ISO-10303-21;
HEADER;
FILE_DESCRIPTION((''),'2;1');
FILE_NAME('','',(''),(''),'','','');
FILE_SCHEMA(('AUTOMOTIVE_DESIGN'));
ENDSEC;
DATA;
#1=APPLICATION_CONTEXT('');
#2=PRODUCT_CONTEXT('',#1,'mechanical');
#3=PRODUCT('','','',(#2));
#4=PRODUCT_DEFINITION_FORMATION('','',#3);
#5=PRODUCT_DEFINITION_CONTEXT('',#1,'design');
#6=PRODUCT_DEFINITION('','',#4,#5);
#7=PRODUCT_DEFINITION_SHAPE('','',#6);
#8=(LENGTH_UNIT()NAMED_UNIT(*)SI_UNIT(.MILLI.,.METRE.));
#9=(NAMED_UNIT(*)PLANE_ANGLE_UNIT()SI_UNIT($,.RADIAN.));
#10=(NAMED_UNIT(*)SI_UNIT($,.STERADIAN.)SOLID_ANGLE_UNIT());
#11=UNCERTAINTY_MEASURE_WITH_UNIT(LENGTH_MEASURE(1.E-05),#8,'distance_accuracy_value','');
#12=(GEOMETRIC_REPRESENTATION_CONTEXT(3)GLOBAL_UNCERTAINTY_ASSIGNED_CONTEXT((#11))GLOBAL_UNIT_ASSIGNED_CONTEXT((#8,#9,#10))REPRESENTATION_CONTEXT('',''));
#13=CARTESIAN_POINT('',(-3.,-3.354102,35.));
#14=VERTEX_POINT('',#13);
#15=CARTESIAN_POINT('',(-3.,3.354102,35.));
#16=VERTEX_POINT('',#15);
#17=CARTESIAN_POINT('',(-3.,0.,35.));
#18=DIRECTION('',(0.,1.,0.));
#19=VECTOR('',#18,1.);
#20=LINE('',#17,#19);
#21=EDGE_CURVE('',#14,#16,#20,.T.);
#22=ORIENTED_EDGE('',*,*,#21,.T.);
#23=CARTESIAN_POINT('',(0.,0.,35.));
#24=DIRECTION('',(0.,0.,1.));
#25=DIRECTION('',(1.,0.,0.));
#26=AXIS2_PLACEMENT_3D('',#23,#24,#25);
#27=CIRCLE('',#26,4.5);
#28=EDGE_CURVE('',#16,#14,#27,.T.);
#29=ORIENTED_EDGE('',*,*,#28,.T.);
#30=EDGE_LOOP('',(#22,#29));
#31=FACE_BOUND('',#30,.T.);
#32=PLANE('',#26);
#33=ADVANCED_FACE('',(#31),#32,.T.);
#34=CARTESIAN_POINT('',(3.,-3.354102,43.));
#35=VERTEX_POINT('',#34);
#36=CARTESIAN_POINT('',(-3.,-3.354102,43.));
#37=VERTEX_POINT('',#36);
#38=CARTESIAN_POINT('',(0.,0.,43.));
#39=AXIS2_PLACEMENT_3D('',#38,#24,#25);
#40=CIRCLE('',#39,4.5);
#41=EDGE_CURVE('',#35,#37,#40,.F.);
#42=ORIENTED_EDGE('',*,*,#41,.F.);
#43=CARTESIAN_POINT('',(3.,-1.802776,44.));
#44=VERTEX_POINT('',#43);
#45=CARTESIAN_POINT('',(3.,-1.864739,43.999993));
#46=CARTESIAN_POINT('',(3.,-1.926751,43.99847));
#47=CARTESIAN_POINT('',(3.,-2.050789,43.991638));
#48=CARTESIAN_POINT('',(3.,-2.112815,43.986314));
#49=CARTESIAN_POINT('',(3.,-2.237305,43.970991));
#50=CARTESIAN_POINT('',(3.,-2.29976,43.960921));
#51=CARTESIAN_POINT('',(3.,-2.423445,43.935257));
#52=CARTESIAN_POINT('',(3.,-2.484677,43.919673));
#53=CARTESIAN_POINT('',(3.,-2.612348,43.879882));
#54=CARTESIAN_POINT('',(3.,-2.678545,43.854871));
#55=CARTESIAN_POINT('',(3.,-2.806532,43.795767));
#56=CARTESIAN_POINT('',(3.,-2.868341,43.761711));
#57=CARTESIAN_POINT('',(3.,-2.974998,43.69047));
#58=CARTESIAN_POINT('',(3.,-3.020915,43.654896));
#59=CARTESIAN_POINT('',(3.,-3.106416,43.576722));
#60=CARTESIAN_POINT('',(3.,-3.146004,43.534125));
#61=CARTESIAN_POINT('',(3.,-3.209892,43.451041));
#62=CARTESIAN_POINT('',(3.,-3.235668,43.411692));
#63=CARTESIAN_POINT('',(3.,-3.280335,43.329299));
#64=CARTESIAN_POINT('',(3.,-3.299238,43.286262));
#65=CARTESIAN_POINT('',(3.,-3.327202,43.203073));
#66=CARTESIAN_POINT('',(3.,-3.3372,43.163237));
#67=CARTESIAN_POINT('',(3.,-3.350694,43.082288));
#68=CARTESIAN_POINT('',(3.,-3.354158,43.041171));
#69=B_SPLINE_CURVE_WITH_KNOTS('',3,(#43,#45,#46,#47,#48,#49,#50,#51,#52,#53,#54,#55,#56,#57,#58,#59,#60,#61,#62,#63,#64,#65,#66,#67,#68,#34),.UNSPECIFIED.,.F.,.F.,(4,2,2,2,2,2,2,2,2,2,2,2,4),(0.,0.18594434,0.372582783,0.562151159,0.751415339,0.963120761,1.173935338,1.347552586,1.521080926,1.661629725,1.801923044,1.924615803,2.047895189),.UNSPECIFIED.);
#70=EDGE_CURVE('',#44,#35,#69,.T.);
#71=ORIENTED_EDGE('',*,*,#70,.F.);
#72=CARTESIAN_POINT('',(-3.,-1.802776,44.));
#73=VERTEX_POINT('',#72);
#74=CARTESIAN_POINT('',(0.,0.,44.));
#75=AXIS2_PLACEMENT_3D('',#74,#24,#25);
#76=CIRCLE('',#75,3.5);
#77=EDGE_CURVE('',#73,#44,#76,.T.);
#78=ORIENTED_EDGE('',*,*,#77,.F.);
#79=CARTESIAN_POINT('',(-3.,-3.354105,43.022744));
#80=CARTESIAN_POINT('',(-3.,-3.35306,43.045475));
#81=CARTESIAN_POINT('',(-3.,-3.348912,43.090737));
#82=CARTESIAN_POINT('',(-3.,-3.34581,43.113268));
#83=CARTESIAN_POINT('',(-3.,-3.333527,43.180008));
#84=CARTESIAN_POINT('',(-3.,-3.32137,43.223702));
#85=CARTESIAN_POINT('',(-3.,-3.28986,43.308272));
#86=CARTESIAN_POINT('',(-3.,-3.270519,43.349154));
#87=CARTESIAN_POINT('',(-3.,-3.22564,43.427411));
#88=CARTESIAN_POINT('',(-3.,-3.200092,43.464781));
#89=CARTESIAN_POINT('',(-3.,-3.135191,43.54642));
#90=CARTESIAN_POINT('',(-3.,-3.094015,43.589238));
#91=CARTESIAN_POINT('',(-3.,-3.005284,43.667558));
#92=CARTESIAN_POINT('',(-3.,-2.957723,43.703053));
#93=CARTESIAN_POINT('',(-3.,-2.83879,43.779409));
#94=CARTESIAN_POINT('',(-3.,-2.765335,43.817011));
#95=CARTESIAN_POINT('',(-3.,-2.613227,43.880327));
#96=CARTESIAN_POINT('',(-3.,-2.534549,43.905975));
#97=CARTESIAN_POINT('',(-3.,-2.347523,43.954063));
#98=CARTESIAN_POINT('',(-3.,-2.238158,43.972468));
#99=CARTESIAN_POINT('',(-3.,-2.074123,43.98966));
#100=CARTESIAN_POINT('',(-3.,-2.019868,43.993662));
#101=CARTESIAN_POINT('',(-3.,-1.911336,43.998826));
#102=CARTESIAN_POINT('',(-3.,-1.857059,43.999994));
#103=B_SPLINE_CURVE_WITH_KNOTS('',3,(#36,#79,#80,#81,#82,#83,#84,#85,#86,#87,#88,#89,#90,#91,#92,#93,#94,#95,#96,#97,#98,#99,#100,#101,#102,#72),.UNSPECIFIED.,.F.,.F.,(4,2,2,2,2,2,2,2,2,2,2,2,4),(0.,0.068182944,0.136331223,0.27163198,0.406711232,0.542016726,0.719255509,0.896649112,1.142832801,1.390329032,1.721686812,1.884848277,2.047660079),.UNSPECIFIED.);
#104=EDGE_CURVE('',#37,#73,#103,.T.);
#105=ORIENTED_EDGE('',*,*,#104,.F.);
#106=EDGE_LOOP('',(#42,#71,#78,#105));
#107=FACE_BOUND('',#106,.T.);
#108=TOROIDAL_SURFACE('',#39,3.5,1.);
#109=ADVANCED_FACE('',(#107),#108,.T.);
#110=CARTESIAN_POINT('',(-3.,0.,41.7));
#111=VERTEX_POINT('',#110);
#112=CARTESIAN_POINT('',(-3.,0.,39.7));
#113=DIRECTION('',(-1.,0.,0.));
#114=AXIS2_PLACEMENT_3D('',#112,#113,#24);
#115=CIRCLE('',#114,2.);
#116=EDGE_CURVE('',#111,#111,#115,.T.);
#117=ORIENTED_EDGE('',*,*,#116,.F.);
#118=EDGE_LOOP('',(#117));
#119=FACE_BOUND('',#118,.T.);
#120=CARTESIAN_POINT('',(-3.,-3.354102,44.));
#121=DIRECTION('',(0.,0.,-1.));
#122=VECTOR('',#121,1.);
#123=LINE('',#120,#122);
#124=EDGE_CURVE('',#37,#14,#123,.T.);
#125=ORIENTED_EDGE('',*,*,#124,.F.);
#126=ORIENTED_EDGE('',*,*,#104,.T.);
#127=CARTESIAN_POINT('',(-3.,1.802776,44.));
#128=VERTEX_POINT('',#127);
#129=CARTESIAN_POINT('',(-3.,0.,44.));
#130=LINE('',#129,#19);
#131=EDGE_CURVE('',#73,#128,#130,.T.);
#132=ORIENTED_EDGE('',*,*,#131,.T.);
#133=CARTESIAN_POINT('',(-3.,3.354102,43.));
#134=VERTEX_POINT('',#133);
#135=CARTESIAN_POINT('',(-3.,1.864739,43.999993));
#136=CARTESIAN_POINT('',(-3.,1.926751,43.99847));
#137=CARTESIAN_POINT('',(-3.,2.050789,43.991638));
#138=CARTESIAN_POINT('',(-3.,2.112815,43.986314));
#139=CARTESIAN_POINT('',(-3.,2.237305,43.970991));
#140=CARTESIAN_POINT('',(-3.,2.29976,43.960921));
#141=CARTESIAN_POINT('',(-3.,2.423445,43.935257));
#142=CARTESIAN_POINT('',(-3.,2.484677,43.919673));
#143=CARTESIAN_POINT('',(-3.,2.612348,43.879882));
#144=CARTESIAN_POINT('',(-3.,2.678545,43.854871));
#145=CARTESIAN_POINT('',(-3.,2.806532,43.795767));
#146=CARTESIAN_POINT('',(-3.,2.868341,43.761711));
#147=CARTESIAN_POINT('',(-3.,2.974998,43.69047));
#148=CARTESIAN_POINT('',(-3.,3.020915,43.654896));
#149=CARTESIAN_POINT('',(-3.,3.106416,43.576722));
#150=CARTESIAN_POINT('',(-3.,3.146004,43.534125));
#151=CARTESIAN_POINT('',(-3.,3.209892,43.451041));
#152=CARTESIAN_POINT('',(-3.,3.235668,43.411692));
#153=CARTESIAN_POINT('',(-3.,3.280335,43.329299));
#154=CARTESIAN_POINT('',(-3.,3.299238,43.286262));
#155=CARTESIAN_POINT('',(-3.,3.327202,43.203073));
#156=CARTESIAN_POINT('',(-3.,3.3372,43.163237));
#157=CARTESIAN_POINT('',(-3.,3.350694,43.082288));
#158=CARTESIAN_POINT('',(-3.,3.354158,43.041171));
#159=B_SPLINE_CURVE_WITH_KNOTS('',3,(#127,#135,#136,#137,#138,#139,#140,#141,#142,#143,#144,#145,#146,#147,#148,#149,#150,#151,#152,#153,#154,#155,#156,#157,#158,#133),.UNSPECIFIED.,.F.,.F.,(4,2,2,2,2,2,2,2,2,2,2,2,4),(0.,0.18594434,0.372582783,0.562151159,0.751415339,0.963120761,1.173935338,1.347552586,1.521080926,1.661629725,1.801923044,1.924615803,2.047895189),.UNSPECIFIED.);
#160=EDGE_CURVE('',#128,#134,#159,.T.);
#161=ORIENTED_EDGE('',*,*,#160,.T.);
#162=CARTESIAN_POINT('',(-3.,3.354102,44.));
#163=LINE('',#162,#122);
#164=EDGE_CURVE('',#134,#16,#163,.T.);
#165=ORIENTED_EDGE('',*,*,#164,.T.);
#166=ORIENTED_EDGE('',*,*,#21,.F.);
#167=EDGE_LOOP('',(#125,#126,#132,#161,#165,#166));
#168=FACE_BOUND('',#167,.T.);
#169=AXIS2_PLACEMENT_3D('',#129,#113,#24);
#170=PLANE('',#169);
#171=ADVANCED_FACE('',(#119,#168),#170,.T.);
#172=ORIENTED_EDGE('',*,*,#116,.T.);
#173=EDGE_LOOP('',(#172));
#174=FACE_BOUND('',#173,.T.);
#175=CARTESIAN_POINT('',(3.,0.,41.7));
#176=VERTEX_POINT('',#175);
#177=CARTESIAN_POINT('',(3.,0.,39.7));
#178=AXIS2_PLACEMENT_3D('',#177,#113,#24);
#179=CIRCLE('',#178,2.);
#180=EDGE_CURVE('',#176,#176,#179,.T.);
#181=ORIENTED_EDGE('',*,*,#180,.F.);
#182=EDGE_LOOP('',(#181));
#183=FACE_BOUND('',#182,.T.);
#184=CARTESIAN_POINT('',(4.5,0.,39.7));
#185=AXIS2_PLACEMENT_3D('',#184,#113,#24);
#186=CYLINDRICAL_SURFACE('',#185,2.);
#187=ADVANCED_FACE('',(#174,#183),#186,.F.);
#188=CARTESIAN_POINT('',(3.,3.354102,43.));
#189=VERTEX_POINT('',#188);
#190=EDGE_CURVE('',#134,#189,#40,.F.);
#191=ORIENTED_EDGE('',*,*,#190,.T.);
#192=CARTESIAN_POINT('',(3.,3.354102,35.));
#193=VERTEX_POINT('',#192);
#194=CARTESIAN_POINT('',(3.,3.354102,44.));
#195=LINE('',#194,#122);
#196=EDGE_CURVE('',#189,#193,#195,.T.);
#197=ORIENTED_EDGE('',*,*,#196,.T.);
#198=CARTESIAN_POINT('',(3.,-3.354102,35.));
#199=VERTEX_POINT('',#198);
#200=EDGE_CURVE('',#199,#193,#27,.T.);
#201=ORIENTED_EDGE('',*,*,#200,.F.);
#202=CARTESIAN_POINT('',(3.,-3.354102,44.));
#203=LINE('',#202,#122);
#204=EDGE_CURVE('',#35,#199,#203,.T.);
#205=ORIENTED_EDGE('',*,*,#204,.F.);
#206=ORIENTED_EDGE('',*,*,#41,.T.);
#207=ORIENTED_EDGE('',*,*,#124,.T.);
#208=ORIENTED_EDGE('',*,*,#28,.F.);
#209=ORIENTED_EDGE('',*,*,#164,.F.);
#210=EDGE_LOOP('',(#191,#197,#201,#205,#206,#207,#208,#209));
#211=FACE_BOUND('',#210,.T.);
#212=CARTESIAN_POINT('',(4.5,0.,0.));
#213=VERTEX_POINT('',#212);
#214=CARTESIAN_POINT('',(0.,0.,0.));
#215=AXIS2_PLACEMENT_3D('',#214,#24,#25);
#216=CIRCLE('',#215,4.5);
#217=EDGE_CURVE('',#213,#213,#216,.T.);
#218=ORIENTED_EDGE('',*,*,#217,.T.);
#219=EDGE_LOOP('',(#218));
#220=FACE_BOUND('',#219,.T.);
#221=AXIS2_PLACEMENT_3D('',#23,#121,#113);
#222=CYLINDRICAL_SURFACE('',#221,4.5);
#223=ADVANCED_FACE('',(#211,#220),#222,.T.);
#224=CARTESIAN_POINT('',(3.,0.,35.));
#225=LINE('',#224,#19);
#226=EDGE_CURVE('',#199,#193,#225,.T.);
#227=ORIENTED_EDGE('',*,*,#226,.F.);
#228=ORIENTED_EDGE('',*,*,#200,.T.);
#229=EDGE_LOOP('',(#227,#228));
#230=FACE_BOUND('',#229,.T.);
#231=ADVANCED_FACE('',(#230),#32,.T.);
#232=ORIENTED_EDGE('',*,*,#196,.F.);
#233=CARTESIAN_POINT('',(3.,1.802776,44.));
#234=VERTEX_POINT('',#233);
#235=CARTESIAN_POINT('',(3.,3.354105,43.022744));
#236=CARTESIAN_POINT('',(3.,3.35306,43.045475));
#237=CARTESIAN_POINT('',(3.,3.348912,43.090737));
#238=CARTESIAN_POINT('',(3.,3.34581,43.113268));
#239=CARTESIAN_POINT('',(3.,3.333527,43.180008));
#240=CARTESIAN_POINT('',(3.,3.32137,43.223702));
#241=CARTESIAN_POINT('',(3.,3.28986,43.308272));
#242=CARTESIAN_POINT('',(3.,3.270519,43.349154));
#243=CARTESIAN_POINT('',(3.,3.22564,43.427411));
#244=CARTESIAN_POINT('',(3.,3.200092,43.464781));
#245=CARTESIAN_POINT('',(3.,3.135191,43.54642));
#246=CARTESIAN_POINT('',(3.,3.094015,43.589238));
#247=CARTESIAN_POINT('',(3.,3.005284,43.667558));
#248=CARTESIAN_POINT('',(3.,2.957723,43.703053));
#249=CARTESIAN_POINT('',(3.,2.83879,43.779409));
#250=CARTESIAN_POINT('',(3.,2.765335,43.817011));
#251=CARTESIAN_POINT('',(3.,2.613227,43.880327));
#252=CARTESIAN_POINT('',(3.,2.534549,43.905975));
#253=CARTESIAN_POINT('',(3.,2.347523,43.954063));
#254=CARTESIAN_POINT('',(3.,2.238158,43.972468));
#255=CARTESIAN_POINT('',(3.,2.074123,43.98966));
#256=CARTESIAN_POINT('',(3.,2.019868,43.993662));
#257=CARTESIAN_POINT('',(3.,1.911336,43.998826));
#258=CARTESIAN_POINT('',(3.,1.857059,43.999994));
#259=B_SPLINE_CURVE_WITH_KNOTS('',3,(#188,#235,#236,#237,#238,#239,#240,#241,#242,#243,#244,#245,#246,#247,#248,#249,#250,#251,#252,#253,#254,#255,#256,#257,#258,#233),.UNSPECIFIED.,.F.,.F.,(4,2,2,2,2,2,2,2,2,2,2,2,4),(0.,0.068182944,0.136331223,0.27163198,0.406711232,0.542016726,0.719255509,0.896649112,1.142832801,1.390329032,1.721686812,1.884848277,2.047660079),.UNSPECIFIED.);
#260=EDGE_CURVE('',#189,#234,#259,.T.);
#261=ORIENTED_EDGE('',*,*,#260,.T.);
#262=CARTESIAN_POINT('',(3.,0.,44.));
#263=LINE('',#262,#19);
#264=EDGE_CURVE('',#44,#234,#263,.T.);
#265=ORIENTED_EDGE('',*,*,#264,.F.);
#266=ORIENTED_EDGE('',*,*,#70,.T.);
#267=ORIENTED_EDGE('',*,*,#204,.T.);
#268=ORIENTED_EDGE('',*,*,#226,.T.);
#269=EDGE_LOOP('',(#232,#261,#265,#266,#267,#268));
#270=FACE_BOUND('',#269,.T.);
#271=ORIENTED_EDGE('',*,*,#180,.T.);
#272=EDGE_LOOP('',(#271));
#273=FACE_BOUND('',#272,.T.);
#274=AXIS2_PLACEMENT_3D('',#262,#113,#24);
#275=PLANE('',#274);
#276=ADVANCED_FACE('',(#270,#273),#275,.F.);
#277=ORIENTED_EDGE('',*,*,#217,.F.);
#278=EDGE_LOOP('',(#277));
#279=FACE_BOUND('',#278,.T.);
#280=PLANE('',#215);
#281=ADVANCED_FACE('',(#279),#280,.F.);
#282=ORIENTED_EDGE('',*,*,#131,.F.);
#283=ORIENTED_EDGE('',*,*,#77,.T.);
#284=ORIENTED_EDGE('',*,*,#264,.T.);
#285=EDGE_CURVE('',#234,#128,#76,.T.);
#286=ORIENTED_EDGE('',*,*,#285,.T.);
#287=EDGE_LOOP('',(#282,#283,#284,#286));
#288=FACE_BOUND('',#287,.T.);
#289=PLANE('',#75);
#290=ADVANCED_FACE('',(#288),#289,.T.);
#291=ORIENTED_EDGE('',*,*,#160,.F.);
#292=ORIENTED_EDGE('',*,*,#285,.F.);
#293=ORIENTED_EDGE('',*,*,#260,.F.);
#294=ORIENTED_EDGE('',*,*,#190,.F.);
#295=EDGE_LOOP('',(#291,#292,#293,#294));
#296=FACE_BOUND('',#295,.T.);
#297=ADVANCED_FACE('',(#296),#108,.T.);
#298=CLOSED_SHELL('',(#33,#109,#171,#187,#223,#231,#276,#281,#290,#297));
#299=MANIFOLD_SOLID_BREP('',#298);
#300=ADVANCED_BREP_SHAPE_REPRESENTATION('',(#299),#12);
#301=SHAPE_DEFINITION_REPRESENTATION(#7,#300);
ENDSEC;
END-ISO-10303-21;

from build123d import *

# Parameters (mm, degrees)
SKETCH_1_R          = 4.5
EXTRUDE_1_DEPTH     = 35
SKETCH_2_W          = 6
SKETCH_2_H          = 6.708203932
EXTRUDE_2_DEPTH     = 9
SKETCH_3_R          = 2
CUT_EXTRUDE_1_DEPTH = 45.860896112
FILLET_1_R          = 1


with BuildPart() as part:
    # Эскиз1 → Бобышка-Вытянуть1 (new body)
    with BuildSketch(Plane.XY):
        Circle(SKETCH_1_R)
    extrude(amount=EXTRUDE_1_DEPTH)

    # Эскиз2 → Бобышка-Вытянуть2 (add)
    with BuildSketch(Plane.XY.offset(35)):
        with BuildLine():
            Line((-3, 3.354101966), (3, 3.354101966))
            ThreePointArc((3, 3.354101966), (0, 4.5), (-3, 3.354101966))
        make_face()
        Rectangle(SKETCH_2_W, SKETCH_2_H)
        with BuildLine():
            ThreePointArc((-3, -3.354101966), (0, -4.5), (3, -3.354101966))
            Line((3, -3.354101966), (-3, -3.354101966))
        make_face()
    extrude(amount=EXTRUDE_2_DEPTH)

    # Эскиз3 → Вырез-Вытянуть1 (cut, through all)
    with BuildSketch(Plane.ZY.offset(3)):
        with Locations((39.7, 0)):
            Circle(SKETCH_3_R)
    extrude(amount=-CUT_EXTRUDE_1_DEPTH, mode=Mode.SUBTRACT)

    # Скругление1
    fillet_1_edges = [part.edges().sort_by_distance(p)[0] for p in [
        (0, 4.5, 44),
        (0, -4.5, 44),
    ]]
    fillet(fillet_1_edges, radius=FILLET_1_R)


solid = part.part
